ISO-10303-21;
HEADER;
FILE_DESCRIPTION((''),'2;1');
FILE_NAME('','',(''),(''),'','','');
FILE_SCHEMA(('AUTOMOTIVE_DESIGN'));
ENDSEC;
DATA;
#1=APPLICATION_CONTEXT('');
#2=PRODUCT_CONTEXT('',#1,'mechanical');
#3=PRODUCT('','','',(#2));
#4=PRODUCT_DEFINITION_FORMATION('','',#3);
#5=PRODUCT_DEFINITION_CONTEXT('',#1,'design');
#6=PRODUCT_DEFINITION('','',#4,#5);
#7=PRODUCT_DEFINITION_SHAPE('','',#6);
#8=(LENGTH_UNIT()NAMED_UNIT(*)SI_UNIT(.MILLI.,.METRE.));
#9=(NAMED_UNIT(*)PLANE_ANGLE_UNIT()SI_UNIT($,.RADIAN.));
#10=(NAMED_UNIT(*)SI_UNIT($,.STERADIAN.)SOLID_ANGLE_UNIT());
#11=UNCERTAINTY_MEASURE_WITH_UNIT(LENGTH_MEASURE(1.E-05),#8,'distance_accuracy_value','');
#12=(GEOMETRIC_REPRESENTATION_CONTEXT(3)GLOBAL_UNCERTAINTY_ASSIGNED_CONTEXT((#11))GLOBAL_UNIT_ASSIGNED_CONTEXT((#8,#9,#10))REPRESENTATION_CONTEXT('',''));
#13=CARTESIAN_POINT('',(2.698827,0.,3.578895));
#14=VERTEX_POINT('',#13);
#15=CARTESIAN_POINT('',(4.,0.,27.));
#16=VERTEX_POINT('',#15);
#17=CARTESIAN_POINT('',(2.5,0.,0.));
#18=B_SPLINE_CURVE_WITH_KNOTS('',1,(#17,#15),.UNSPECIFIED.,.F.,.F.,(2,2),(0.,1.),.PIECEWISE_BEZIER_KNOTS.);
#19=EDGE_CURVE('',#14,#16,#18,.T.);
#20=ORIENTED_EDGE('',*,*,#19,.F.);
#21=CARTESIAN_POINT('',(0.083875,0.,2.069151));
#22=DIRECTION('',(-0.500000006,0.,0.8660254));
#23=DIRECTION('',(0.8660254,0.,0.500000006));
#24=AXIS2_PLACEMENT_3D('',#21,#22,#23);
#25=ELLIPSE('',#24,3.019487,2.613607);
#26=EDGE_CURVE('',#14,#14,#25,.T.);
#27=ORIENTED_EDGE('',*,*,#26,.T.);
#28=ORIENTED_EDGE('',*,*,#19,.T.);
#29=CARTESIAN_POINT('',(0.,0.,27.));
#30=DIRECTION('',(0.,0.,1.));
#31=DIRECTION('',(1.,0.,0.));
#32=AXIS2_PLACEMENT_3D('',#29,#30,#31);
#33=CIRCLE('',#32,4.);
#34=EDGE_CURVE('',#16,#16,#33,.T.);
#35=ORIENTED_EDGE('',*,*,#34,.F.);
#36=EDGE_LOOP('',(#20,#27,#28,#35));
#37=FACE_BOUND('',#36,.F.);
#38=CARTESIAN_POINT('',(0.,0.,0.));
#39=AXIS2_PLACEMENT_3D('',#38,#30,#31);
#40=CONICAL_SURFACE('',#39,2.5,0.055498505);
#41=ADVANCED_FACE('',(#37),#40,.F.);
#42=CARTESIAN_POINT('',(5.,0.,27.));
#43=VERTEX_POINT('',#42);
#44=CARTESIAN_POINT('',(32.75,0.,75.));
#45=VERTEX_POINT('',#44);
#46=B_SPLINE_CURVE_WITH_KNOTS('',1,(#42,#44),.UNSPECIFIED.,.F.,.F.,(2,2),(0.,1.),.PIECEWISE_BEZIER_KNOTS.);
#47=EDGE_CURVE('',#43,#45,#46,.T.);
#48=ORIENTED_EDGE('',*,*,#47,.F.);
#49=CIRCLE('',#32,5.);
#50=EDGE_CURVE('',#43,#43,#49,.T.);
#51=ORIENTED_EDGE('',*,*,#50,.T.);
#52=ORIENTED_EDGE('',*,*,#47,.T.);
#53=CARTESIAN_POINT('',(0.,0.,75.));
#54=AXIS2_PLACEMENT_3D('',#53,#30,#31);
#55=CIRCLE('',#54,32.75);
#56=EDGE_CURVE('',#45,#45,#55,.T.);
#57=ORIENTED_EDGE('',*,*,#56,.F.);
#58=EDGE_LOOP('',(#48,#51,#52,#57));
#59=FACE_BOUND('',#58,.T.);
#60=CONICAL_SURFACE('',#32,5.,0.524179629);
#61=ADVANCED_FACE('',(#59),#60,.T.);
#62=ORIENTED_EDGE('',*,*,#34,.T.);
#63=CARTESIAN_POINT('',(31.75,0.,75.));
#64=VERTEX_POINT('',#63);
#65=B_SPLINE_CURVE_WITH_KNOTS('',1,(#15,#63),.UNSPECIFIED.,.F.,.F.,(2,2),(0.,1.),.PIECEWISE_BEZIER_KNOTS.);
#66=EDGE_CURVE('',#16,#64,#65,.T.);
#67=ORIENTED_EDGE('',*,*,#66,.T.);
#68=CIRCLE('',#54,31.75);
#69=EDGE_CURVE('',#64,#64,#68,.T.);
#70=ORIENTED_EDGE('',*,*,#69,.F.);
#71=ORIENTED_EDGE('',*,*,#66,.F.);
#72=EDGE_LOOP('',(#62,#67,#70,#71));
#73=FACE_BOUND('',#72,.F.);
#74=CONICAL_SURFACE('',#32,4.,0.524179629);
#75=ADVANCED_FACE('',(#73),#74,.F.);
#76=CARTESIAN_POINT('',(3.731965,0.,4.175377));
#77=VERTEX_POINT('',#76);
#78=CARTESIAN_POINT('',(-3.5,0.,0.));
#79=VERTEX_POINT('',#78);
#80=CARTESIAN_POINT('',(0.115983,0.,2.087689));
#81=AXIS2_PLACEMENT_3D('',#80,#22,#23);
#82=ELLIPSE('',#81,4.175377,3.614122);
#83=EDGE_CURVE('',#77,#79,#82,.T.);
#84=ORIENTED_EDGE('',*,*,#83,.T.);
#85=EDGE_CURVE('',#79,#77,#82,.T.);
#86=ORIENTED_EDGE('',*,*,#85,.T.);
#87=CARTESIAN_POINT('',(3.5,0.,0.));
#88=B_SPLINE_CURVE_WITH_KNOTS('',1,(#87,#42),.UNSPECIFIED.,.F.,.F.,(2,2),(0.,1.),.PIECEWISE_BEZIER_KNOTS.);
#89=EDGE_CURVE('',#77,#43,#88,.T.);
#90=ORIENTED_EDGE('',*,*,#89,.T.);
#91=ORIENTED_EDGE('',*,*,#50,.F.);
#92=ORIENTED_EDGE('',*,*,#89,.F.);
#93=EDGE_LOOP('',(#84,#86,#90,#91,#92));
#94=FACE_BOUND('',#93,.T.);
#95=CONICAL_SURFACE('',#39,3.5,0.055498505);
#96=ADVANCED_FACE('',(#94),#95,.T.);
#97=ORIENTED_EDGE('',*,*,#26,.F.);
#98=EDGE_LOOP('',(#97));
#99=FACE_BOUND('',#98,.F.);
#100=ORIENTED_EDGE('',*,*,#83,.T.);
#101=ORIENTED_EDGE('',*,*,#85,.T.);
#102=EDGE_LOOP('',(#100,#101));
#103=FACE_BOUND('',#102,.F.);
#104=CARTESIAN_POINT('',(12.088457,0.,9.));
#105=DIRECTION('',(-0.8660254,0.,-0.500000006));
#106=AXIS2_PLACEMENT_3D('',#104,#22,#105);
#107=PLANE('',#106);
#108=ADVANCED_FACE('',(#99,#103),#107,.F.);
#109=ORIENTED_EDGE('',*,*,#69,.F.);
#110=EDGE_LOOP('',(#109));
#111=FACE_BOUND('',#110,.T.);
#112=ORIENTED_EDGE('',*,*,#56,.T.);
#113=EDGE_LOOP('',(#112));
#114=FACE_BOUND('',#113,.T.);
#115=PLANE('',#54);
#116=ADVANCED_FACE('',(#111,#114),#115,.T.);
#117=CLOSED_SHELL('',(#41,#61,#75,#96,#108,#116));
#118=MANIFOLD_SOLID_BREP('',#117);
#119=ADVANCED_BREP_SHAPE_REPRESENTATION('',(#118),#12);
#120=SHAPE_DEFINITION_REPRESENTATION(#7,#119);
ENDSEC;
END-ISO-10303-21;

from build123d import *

# Parameters (mm, degrees)
F0_R     = 3.5
F2_R     = 5
F4_R     = 2.5
F5_R     = 4
F8_DEPTH = 12.5
F12_R    = 5
F13_R    = 32.75
F9_R     = 4
F11_R    = 31.75


with BuildPart() as f3:
    # F0 (on Top) → F3 section 0
    with BuildSketch(Plane.XY):
        Circle(F0_R)
    # F2 (on offset) → F3 section 1
    with BuildSketch(Plane.XY.offset(27)):
        Circle(F2_R)
    loft()

    # F4 (on Top) → F6 section 0
    with BuildSketch(Plane.XY):
        Circle(F4_R)
    # F5 (on offset) → F6 section 1
    with BuildSketch(Plane.XY.offset(27)):
        Circle(F5_R)
    loft(mode=Mode.SUBTRACT)

    # F7 (on Front) → F8 (cut, symmetric)
    with BuildSketch(Plane.XZ):
        Polygon((12.088457, 9), (-3.5, 0), (12.088457, 0), align=None)
    extrude(amount=F8_DEPTH, both=True, mode=Mode.SUBTRACT)

    # F12 (on offset) → F14 section 0
    with BuildSketch(Plane.XY.offset(27)):
        Circle(F12_R)
    # F13 (on offset) → F14 section 1
    with BuildSketch(Plane.XY.offset(75)):
        Circle(F13_R)
    loft()

    # F9 (on offset) → F15 section 0
    with BuildSketch(Plane.XY.offset(27)):
        Circle(F9_R)
    # F11 (on offset) → F15 section 1
    with BuildSketch(Plane.XY.offset(75)):
        Circle(F11_R)
    loft(mode=Mode.SUBTRACT)


solid = f3.part
